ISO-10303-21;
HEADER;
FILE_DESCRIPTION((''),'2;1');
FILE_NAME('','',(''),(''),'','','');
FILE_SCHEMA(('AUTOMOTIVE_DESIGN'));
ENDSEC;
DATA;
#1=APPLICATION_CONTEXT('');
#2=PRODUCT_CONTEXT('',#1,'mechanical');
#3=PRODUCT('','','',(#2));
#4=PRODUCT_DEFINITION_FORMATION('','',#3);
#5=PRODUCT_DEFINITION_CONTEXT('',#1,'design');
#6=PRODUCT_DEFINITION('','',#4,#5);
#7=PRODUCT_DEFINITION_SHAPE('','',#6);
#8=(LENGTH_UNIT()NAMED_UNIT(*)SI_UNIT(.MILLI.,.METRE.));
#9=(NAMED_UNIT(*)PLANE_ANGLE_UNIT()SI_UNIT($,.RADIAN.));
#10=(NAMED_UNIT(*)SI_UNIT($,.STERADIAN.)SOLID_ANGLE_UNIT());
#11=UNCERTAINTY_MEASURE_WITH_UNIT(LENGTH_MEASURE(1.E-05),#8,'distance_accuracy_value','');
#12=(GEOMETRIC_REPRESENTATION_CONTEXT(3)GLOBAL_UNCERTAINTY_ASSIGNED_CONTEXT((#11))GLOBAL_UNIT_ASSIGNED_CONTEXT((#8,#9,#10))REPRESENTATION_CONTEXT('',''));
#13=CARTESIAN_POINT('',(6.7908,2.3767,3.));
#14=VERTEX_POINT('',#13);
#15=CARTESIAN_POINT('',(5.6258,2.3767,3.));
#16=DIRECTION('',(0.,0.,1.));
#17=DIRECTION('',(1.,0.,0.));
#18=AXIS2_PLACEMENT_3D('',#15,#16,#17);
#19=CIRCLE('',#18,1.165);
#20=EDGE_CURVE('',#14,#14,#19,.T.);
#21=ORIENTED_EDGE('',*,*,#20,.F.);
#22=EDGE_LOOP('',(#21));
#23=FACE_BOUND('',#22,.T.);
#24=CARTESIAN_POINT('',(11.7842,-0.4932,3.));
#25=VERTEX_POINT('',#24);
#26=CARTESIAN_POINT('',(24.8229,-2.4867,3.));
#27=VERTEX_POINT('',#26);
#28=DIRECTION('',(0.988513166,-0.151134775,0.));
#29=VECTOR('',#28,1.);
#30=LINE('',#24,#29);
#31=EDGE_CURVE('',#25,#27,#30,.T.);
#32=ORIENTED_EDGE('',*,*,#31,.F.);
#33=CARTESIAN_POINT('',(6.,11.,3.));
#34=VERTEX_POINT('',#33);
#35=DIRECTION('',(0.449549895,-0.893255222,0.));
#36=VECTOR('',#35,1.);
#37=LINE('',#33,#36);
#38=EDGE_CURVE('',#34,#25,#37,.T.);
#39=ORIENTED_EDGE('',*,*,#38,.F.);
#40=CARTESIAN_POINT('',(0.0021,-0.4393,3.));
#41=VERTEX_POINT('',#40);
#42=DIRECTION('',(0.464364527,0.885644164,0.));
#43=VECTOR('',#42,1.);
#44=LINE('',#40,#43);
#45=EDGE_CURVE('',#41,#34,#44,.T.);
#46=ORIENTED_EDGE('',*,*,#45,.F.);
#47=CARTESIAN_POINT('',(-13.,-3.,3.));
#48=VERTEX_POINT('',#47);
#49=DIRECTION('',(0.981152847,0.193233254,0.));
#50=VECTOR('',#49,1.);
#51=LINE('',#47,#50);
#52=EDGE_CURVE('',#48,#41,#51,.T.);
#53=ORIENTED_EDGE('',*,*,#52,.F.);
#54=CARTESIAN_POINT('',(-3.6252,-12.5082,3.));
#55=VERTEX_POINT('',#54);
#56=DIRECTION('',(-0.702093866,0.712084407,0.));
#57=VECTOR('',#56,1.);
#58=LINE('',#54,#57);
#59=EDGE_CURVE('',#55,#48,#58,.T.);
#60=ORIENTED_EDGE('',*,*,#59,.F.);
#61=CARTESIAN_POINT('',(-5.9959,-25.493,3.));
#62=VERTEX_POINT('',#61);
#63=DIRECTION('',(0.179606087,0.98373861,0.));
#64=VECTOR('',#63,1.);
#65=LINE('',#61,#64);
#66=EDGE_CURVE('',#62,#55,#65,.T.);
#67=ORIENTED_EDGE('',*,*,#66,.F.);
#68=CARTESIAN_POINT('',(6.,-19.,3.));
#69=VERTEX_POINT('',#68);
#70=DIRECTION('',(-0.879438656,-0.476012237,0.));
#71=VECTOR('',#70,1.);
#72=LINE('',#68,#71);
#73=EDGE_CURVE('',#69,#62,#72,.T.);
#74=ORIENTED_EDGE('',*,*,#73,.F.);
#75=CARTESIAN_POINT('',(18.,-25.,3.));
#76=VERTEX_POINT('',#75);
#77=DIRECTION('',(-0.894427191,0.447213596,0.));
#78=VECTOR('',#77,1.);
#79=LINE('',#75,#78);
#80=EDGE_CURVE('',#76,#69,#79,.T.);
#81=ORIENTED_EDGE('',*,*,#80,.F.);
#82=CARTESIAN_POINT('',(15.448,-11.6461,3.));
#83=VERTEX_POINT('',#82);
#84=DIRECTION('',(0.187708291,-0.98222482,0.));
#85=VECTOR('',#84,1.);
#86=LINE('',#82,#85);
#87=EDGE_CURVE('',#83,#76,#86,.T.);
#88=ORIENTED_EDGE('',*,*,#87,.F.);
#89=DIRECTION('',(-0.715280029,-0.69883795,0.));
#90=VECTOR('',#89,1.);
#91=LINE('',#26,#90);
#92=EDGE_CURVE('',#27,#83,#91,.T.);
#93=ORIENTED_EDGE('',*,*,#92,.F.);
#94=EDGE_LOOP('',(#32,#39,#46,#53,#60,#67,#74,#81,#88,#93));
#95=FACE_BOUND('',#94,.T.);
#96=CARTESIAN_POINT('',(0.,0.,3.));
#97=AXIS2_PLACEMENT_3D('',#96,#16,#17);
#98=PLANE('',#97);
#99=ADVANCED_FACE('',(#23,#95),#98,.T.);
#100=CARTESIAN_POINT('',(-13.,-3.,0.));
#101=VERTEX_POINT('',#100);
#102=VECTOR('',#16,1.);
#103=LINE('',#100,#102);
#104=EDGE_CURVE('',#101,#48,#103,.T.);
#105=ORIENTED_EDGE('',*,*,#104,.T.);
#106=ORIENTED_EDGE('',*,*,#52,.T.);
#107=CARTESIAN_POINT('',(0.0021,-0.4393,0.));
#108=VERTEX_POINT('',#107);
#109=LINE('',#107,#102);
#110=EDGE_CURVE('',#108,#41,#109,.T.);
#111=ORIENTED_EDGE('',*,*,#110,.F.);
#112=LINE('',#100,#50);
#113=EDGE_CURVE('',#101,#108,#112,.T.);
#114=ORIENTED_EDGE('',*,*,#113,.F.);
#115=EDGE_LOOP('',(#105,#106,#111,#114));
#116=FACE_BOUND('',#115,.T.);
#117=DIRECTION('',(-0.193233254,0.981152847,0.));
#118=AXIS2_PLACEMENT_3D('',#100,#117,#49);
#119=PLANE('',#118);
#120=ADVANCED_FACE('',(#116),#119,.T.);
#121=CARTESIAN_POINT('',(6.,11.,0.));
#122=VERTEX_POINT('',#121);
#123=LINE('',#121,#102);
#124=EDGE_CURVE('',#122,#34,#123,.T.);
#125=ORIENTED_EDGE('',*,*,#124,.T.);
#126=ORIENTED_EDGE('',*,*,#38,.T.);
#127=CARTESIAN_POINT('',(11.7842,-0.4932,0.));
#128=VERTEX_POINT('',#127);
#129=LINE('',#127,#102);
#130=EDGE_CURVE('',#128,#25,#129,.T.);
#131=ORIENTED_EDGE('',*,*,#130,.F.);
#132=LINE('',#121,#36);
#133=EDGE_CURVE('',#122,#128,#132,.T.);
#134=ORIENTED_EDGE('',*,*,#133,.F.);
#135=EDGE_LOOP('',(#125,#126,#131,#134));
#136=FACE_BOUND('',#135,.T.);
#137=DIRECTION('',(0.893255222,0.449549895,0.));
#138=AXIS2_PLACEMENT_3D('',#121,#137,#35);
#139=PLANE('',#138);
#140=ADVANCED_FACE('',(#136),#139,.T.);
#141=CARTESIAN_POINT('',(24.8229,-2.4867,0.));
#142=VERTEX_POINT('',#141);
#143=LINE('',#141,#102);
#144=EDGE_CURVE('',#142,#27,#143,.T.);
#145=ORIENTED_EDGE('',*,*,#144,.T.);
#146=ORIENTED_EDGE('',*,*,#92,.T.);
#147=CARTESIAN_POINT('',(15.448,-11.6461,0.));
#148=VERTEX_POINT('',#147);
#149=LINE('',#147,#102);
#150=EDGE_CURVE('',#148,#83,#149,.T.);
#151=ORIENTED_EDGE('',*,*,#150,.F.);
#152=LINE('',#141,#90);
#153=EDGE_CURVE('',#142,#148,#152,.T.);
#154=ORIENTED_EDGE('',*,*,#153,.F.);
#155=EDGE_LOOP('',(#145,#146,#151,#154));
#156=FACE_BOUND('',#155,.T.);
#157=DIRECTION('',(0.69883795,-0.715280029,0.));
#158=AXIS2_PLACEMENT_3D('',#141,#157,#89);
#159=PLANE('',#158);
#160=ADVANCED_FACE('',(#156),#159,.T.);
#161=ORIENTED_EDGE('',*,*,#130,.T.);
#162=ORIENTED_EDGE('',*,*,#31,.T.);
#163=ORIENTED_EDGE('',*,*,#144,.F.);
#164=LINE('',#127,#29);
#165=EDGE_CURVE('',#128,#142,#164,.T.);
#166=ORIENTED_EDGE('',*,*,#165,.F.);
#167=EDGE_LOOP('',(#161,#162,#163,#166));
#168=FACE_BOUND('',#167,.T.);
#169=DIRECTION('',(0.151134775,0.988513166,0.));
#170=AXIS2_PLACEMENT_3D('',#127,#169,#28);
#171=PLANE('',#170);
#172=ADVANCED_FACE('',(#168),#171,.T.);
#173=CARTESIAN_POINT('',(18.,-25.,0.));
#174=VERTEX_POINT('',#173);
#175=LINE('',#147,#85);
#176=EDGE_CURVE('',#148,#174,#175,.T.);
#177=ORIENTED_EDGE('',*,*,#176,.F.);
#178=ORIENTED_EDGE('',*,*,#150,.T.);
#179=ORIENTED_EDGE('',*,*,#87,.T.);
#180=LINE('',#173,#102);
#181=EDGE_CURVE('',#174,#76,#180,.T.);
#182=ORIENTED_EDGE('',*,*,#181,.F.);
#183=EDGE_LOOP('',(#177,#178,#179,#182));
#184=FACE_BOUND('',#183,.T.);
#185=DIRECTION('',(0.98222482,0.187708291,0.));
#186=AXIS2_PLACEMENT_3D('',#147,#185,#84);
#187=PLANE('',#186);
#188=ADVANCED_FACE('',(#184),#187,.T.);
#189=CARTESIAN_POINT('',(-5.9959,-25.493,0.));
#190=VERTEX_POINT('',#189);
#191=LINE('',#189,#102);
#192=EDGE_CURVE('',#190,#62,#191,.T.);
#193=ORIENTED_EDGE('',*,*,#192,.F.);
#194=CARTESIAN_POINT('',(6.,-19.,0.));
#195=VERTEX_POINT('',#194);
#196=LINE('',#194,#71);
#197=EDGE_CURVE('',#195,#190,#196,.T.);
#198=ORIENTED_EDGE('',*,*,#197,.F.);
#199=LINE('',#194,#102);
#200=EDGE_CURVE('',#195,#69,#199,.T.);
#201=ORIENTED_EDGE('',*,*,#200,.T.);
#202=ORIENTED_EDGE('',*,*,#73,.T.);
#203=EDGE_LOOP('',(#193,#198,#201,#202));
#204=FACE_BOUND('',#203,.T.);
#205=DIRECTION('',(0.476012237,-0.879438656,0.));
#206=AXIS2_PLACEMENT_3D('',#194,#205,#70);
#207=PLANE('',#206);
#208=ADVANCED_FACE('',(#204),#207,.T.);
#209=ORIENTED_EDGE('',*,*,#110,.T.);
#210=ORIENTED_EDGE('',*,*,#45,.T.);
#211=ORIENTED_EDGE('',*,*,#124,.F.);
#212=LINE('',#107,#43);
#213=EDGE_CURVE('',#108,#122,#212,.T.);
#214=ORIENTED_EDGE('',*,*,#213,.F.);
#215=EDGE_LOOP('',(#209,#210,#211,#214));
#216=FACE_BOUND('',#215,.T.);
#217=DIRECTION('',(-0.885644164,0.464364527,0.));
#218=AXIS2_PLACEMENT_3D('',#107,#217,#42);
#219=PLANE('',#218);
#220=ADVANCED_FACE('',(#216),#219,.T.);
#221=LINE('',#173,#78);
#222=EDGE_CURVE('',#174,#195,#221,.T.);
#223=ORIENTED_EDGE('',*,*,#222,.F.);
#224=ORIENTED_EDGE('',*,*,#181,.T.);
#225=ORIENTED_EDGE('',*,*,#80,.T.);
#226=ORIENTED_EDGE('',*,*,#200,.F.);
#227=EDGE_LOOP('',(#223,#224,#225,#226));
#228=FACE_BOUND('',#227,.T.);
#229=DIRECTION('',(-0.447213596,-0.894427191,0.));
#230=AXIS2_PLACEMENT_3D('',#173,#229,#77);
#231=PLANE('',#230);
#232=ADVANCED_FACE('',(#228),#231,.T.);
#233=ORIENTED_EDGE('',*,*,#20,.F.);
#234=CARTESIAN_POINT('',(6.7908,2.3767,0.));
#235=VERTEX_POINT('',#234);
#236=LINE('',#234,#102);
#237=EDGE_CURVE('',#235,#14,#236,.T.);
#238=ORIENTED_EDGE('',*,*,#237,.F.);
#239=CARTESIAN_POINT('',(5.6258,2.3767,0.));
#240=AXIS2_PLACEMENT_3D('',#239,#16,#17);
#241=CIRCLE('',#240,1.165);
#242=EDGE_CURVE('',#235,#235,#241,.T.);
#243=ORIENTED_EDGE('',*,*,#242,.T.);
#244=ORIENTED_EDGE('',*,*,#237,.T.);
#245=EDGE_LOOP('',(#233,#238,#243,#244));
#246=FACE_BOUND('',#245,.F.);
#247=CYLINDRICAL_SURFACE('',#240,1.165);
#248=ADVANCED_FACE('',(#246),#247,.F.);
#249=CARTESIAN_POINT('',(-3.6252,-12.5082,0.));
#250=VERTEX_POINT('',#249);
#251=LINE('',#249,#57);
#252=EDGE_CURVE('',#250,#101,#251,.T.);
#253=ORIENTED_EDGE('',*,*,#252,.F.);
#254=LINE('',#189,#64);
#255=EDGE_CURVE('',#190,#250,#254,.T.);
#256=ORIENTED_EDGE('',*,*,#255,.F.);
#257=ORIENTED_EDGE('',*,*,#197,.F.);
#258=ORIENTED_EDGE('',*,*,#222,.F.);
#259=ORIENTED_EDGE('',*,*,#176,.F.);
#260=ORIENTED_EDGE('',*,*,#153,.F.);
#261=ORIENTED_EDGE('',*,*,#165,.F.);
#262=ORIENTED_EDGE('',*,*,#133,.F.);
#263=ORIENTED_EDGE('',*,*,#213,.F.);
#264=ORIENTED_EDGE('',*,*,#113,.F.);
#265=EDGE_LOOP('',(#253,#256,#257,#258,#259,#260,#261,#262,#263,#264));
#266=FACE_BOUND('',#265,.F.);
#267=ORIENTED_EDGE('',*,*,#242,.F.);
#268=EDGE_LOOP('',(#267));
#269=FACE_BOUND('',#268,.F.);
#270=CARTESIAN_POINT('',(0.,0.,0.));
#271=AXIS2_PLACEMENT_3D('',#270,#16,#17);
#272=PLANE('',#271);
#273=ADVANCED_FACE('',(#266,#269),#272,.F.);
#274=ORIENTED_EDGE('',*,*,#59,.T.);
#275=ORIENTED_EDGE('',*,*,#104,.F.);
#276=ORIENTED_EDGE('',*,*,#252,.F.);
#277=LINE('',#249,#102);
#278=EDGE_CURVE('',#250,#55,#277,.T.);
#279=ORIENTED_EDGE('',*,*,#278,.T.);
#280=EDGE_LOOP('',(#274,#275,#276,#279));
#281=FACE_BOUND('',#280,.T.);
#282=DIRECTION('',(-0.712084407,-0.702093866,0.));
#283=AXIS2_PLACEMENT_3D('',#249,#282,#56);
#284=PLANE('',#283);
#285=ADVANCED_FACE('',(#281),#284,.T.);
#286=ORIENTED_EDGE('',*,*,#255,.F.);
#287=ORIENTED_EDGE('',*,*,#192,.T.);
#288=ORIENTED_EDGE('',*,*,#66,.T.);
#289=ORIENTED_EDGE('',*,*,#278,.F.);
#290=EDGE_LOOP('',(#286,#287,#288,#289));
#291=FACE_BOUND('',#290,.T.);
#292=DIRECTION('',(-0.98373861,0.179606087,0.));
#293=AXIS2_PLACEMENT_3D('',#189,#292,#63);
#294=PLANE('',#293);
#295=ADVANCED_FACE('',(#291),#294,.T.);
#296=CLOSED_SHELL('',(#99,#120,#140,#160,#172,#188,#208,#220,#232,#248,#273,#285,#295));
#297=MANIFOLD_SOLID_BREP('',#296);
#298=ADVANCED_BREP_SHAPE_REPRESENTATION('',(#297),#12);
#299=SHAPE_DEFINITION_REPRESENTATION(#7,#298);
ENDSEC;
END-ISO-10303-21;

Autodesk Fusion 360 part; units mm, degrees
sketch "Sketch4" plane through (0, 0, 0) normal (0, 0, 1) x (1, 0, 0)
  line L0 (-14, 13) -> (26, 13)
  line L1 (26, 13) -> (26, -27)
  line L2 (26, -27) -> (-14, -27)
  line L3 (-14, -27) -> (-14, 13)
  line L4 (6, 11) -> (11.7842, -0.4932)
  line L5 (11.7842, -0.4932) -> (24.8229, -2.4867)
  line L6 (24.8229, -2.4867) -> (15.448, -11.6461)
  line L7 (15.448, -11.6461) -> (18, -25)
  line L8 (18, -25) -> (6, -19)
  line L9 (6, -19) -> (-5.9959, -25.493)
  line L10 (-5.9959, -25.493) -> (-3.6252, -12.5082)
  line L11 (-3.6252, -12.5082) -> (-13, -3)
  line L12 (-13, -3) -> (0.0021, -0.4393)
  line L13 (0.0021, -0.4393) -> (6, 11)
extrude "Extrude1" add sketch "Sketch4" along normal blind 3 contours L4 L5 L6 L7 L8 L9 L10 L11 L12 L13
cylinder "CylinderPrimitive1" cut diameter 2.33 height -3 placed x (1, 0, 0) y (0, 1, 0) z (0, 0, 1) at (5.6258, 2.3767, 3)
sketch "Sketch2" plane through (0, 0, 0) normal (0, 0, 1) x (1, 0, 0)
  line L0 (-22.5492, 19.9652) -> (17.4508, 19.9652)
  line L1 (17.4508, 19.9652) -> (17.4508, -20.0348)
  line L2 (17.4508, -20.0348) -> (-22.5492, -20.0348)
  line L3 (-22.5492, -20.0348) -> (-22.5492, 19.9652)
